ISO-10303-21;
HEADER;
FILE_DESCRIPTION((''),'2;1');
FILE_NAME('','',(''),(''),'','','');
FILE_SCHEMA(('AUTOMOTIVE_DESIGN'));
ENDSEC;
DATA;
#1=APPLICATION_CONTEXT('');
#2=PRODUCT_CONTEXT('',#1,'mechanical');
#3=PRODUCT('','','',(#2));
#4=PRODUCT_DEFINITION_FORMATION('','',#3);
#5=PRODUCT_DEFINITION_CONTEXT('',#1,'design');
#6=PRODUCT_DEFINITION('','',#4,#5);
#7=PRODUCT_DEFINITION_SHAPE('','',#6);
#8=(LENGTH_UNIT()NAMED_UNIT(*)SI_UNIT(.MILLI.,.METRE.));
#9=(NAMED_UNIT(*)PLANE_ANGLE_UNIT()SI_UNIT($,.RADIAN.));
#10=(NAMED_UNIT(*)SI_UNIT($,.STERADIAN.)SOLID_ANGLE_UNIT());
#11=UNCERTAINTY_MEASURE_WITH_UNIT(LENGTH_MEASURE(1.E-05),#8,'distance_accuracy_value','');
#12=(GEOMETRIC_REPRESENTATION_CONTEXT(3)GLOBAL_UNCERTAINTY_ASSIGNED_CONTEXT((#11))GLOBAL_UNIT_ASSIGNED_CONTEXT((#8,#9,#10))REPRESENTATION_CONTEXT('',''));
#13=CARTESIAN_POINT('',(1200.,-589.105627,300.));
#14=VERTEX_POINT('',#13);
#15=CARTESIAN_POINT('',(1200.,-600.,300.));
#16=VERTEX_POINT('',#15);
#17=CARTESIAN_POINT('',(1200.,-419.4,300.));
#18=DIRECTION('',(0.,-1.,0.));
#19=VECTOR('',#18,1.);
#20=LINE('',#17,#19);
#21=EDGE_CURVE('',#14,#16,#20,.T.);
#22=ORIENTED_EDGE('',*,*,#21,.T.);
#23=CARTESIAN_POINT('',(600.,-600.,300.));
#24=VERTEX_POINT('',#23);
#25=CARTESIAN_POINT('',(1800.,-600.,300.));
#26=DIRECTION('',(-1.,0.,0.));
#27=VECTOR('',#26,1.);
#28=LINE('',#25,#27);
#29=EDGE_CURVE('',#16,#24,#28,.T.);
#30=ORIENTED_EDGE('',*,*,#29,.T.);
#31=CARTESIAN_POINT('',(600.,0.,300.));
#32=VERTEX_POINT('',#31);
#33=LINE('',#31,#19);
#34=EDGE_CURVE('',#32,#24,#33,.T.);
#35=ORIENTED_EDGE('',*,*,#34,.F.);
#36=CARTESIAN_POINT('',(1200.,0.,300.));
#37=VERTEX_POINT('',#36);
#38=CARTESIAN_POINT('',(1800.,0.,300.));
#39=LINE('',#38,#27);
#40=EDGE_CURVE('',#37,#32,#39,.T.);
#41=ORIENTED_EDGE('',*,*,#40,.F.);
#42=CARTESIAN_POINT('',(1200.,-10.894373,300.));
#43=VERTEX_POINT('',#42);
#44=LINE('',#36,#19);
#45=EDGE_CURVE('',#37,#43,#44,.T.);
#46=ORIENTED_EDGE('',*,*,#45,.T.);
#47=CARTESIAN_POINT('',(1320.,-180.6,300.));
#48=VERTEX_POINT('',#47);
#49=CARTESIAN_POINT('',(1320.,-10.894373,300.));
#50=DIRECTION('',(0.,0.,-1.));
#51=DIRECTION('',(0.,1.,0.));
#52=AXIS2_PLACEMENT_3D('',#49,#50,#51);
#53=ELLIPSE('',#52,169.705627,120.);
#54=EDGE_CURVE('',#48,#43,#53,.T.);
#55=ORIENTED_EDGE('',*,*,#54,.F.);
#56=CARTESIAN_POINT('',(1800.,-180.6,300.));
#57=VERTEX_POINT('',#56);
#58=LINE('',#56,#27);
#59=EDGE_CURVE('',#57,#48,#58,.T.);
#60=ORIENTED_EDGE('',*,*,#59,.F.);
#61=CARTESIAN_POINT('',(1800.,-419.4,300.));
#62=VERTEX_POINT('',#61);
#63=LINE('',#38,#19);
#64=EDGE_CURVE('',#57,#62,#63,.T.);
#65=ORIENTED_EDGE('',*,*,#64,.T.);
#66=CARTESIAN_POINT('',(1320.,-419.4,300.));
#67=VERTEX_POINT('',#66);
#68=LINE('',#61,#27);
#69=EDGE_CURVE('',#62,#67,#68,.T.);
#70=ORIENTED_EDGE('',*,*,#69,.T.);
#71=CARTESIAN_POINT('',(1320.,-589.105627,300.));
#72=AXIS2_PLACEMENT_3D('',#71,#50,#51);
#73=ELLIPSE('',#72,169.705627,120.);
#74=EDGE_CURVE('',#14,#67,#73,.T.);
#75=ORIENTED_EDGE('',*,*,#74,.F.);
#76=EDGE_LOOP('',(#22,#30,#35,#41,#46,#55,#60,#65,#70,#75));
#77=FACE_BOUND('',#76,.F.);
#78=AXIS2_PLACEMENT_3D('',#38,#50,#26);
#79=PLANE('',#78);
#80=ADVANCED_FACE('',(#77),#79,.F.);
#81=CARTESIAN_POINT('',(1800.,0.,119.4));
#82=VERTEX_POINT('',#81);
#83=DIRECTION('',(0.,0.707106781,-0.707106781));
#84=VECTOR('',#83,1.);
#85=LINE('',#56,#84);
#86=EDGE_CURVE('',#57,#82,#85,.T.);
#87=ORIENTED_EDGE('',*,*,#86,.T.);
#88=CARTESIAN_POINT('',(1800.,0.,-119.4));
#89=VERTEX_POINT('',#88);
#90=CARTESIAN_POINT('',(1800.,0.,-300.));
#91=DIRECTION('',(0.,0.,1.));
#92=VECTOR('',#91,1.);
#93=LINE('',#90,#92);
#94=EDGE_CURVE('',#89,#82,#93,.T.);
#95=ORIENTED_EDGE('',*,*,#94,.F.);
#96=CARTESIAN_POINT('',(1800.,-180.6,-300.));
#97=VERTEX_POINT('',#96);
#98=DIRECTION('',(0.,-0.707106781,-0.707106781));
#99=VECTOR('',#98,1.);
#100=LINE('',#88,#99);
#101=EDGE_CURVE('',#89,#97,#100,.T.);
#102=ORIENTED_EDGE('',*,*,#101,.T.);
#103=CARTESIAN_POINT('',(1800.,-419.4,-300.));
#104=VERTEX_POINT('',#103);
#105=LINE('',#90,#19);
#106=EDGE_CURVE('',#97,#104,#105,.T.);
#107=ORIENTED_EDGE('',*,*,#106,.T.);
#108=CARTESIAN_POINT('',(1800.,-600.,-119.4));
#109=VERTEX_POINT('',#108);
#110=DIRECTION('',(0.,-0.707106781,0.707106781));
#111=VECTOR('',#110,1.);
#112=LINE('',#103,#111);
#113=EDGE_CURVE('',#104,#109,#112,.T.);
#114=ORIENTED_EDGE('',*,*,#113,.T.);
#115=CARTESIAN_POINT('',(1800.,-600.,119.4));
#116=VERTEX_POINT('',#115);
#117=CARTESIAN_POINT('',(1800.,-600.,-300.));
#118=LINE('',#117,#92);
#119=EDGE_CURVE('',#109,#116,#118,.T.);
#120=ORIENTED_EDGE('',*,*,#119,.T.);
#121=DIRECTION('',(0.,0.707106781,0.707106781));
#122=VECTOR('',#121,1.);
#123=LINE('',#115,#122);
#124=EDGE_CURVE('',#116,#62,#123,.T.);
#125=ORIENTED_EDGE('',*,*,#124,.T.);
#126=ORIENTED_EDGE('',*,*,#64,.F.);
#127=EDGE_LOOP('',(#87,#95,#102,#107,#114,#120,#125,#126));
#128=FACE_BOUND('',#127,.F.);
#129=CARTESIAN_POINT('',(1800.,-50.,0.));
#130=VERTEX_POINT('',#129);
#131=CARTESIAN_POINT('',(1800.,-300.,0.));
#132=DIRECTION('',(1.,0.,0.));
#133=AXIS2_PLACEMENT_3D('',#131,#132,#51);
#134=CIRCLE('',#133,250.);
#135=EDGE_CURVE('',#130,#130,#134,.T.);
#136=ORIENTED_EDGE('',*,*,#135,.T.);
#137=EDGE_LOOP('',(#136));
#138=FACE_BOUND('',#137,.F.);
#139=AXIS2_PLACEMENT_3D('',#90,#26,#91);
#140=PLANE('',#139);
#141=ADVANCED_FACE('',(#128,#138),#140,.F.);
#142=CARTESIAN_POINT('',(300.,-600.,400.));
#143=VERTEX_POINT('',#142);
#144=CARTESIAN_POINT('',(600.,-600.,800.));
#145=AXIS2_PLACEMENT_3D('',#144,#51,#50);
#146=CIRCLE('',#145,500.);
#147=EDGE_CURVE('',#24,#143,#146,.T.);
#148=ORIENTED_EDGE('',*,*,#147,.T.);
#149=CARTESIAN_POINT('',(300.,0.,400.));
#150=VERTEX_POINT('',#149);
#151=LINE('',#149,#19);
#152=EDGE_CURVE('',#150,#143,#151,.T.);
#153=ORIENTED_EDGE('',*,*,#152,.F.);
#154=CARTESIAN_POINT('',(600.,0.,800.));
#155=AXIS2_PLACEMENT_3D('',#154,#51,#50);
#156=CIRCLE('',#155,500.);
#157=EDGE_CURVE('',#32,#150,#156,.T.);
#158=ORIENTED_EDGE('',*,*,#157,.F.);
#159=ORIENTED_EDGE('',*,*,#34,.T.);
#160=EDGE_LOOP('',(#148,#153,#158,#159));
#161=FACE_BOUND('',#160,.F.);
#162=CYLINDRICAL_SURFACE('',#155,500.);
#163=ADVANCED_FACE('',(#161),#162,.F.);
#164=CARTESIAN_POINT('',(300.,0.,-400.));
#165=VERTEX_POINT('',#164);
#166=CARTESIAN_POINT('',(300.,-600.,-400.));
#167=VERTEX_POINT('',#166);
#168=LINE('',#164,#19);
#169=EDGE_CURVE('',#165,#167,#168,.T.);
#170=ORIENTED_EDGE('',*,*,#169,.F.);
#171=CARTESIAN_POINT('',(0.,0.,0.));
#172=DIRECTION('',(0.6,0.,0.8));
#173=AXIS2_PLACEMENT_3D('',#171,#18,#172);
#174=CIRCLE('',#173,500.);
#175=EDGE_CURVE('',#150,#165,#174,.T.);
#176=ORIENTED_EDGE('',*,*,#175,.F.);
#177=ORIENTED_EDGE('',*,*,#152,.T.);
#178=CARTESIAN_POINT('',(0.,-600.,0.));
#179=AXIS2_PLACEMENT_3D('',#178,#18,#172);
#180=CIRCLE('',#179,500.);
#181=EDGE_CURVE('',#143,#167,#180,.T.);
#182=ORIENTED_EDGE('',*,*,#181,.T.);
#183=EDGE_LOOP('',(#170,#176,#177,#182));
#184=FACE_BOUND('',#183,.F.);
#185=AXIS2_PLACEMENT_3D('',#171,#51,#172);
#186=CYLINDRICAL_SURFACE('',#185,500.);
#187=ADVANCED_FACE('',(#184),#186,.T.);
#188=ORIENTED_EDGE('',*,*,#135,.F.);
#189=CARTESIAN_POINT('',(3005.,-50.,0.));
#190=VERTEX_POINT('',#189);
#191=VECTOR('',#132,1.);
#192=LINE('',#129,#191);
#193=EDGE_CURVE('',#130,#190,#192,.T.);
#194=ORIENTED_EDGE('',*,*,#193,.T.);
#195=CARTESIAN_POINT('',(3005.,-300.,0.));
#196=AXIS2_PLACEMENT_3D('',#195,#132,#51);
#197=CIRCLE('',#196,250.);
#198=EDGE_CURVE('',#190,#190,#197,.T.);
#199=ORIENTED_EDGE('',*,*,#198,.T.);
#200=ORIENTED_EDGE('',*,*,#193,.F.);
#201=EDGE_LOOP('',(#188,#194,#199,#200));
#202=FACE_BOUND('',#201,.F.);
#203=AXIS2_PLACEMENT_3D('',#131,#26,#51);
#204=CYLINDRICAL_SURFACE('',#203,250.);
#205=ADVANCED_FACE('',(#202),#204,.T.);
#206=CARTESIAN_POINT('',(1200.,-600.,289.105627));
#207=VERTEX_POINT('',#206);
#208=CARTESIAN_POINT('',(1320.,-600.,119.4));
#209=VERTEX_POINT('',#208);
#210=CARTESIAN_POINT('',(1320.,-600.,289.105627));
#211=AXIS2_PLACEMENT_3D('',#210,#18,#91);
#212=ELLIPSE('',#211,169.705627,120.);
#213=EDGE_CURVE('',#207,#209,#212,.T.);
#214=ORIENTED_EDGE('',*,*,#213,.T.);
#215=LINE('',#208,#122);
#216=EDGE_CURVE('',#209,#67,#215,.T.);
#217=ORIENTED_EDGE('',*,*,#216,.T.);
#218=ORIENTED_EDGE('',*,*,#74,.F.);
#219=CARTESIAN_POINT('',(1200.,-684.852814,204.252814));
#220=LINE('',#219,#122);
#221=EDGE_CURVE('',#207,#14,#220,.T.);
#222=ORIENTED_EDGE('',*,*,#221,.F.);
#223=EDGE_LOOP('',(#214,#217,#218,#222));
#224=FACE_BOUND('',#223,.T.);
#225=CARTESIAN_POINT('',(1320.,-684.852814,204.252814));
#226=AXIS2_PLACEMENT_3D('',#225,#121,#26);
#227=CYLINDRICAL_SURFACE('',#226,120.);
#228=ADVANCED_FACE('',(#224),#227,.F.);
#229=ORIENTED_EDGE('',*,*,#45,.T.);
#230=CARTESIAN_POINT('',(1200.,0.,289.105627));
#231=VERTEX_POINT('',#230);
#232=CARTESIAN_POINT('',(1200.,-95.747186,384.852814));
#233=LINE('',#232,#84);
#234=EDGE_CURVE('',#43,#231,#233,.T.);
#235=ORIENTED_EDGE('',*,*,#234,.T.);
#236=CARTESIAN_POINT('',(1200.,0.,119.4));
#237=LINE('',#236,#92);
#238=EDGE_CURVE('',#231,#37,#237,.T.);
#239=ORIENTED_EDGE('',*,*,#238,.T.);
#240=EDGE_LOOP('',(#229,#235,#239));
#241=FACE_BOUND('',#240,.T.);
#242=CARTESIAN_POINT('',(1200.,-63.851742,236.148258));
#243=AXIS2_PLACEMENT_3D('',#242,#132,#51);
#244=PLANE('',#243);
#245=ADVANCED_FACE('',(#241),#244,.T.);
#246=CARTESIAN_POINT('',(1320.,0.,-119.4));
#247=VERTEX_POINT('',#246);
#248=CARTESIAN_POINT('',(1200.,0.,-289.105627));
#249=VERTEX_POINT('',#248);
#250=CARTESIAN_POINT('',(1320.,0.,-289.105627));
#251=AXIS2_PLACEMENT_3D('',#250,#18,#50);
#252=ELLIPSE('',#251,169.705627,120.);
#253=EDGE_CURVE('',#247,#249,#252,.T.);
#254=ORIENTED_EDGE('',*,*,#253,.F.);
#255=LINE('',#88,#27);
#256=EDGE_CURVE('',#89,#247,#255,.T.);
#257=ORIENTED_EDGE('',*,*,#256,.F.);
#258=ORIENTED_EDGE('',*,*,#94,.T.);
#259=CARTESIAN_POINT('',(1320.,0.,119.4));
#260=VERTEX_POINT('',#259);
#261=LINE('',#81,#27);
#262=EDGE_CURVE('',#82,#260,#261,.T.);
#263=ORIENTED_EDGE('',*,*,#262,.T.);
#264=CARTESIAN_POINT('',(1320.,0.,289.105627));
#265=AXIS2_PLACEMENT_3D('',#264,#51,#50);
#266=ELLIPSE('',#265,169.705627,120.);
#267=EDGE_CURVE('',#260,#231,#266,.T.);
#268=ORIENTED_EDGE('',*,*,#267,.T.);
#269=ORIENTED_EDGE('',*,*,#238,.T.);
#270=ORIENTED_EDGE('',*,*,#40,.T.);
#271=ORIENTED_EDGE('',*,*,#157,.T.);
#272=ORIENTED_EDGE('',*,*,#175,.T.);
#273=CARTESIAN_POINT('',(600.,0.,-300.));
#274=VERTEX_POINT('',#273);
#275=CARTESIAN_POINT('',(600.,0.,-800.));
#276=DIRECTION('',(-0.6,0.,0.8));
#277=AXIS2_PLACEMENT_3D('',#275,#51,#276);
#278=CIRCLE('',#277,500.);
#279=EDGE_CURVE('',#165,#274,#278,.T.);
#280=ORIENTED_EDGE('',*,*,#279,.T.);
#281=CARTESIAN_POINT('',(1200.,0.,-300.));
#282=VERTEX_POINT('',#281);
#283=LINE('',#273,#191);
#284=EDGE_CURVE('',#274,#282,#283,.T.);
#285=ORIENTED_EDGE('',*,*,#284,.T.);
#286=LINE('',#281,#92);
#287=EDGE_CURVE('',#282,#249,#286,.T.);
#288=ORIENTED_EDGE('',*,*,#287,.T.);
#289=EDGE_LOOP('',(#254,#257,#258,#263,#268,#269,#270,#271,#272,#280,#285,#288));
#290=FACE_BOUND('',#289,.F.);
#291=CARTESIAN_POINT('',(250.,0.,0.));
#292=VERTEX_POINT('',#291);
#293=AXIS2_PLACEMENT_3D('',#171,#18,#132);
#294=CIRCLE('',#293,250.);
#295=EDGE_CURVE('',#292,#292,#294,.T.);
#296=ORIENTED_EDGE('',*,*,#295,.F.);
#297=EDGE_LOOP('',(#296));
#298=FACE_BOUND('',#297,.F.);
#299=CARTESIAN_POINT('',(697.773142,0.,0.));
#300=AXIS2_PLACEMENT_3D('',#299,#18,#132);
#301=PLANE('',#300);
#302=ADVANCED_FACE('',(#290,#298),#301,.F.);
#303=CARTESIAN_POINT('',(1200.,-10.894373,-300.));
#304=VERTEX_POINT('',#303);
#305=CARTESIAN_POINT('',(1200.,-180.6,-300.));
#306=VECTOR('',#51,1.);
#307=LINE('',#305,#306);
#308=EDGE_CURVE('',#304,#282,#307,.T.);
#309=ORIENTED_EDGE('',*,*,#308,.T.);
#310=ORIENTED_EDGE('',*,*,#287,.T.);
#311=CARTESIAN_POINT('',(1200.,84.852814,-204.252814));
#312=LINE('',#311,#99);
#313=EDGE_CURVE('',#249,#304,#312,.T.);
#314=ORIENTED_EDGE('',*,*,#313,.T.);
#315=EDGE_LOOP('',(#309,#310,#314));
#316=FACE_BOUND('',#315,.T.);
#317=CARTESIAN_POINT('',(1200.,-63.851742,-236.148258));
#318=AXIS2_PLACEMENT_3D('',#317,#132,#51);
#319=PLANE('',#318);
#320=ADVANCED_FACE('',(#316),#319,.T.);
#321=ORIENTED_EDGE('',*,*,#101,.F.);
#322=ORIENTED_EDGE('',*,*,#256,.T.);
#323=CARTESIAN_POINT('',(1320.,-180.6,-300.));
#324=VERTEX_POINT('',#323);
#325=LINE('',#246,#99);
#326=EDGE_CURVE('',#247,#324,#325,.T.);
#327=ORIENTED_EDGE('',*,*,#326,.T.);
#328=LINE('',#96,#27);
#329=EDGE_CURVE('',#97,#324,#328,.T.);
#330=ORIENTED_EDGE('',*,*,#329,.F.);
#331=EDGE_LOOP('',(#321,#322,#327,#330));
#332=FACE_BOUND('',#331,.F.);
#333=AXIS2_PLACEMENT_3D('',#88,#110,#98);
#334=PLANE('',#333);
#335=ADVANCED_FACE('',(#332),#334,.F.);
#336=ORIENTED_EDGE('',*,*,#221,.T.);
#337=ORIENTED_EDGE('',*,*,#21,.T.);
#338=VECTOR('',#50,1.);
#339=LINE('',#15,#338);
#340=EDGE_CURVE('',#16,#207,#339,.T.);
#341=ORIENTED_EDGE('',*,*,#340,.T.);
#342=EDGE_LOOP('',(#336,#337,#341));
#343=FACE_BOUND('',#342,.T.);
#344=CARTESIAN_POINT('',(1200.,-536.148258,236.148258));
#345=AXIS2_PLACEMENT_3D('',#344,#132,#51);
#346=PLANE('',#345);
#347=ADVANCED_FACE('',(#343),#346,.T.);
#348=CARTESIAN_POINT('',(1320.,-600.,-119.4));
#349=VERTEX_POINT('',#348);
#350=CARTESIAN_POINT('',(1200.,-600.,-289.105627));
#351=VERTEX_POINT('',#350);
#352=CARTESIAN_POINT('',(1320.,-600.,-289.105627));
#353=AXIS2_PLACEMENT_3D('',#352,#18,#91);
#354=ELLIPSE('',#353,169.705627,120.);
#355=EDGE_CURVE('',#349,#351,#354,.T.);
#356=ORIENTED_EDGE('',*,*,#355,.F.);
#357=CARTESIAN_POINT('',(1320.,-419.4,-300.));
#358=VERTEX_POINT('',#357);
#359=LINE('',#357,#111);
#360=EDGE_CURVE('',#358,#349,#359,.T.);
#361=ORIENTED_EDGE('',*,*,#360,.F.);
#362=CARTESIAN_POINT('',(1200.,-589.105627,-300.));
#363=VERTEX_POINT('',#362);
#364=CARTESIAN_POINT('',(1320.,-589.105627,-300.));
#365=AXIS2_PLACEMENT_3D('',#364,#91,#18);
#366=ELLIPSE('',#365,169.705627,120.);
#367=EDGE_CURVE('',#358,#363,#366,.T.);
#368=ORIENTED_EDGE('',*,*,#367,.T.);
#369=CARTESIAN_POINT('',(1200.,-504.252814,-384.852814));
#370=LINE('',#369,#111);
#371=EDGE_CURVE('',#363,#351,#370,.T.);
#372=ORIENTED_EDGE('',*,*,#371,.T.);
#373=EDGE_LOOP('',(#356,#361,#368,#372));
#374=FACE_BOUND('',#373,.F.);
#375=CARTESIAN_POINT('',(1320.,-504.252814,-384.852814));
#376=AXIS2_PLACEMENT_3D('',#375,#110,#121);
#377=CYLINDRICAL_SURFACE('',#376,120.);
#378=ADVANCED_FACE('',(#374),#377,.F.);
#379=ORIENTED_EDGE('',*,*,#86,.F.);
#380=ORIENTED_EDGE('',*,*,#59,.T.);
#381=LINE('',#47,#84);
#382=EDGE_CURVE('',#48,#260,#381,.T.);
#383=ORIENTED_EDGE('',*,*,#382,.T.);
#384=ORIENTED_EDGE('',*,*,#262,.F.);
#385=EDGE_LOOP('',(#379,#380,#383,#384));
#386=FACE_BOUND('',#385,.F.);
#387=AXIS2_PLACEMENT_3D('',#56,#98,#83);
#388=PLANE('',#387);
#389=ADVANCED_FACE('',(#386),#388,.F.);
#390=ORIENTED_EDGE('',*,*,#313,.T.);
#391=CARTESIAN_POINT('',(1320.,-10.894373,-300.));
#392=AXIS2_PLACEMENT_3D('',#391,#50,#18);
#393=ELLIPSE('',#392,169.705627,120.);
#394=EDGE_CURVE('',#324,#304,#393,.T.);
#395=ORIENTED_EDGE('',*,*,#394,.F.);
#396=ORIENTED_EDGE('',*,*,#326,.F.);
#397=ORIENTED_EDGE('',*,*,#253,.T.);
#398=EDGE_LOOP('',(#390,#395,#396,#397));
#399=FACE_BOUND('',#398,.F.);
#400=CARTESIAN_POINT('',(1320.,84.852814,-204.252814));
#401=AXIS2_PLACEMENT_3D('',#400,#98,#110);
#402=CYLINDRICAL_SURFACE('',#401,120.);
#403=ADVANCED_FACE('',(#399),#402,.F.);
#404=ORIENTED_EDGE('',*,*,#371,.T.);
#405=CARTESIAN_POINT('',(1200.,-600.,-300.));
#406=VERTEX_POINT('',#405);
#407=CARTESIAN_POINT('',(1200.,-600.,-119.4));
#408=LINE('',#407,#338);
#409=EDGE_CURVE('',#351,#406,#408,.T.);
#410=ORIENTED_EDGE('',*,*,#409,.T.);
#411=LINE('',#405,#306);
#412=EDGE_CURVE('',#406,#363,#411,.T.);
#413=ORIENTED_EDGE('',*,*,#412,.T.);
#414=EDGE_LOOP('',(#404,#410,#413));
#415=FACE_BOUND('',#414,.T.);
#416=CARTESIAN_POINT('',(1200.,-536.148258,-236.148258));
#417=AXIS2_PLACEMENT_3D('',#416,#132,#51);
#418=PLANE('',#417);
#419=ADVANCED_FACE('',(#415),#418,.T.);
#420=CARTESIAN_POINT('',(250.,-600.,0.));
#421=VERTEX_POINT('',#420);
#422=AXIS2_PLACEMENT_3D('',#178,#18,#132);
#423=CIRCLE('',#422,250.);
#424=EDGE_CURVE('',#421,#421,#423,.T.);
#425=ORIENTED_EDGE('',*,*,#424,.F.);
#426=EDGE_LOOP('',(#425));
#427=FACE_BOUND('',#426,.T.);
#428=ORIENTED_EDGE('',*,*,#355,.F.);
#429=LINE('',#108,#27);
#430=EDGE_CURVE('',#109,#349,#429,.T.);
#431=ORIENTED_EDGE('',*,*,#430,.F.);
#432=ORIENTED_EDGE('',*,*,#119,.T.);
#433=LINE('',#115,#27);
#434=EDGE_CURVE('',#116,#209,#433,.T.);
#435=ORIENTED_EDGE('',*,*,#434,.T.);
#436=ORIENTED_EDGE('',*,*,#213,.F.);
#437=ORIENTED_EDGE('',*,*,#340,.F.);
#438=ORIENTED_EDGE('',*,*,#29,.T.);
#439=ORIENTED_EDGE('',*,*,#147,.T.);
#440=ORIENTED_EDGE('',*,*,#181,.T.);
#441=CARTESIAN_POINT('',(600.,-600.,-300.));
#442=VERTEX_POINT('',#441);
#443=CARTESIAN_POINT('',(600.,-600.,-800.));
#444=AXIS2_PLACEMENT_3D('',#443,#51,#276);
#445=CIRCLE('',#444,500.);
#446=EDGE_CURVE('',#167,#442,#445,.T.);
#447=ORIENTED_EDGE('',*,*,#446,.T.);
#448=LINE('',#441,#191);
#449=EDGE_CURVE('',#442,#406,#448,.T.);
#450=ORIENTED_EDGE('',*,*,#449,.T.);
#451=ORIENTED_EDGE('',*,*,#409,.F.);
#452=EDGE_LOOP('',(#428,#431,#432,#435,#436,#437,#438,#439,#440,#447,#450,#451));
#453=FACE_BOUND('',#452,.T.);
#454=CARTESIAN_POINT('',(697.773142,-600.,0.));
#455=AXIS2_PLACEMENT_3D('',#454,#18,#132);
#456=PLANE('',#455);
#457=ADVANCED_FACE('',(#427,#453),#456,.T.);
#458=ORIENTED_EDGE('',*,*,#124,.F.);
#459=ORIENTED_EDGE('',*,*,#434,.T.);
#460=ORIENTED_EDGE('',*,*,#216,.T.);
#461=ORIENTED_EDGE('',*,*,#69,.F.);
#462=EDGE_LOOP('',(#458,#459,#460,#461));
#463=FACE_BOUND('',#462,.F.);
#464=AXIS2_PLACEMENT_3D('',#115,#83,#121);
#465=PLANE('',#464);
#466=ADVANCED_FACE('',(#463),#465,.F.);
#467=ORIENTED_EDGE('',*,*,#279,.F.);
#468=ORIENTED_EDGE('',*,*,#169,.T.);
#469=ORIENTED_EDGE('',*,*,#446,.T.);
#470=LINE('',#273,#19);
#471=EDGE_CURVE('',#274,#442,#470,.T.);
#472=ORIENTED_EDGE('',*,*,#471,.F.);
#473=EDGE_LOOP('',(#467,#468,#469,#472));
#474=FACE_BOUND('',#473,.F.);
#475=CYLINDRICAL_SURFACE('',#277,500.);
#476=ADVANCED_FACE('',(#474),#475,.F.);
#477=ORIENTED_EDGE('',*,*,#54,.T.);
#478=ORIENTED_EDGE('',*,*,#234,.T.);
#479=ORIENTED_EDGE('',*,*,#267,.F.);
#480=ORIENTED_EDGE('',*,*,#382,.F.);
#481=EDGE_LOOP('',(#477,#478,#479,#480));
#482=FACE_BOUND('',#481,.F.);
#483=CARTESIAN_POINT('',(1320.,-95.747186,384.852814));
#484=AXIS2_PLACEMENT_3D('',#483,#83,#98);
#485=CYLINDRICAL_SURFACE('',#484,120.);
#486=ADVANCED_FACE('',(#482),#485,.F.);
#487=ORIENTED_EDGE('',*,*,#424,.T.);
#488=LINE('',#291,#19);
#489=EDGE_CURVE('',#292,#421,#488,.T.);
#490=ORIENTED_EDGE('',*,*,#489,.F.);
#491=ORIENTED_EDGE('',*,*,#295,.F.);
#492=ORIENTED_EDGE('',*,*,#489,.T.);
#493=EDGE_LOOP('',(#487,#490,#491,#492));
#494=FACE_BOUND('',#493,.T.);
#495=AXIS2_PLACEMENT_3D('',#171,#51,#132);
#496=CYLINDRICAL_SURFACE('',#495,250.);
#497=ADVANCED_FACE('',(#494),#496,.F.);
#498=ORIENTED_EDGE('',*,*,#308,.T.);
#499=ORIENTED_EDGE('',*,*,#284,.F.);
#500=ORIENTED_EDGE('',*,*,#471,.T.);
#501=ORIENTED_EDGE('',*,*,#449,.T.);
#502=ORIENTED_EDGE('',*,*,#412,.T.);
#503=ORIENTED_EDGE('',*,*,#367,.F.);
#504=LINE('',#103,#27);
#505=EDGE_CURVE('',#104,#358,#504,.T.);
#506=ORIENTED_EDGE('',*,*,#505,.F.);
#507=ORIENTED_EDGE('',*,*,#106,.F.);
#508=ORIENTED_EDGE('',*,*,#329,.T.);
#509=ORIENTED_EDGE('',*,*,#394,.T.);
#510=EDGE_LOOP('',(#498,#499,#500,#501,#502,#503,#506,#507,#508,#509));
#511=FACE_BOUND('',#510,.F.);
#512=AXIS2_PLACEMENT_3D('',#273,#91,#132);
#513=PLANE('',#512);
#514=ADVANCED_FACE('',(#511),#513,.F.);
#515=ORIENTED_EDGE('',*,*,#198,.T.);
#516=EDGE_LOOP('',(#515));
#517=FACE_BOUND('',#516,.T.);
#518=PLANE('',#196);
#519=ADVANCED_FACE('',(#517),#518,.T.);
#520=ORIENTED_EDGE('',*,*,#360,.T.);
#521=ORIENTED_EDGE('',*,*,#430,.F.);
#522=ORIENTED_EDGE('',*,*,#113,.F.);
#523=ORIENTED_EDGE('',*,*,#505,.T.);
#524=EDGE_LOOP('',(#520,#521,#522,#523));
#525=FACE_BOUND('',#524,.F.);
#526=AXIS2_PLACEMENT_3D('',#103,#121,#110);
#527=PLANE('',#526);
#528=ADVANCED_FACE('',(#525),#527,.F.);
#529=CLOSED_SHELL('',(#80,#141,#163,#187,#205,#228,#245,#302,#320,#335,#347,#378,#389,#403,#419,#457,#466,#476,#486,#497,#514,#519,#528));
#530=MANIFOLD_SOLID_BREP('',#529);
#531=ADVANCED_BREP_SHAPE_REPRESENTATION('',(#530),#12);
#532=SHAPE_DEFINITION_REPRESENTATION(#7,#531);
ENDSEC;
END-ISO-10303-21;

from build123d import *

# Parameters (mm, degrees)
F0_R     = 250
F1_DEPTH = 600
F3_DEPTH = 600
F4_R     = 250
F5_DEPTH = 1205
F6_R     = 120


with BuildPart() as f1:
    # F0 (on Front) → F1 (new body)
    with BuildSketch(Plane.XZ):
        with BuildLine():
            ThreePointArc((600, 300), (441.886117, 325.658351), (300, 400))
            ThreePointArc((300, 400), (-500, 0), (300, -400))
            ThreePointArc((300, -400), (441.886117, -325.658351), (600, -300))
            Line((600, -300), (1800, -300))
            Line((1800, -300), (1800, 300))
            Line((1800, 300), (600, 300))
        make_face()
        Circle(F0_R, mode=Mode.SUBTRACT)
    extrude(amount=F1_DEPTH)

    # F2 (on face) → F3 (cut)
    with BuildSketch(Plane.YZ.offset(1800)):
        Polygon((-600, 119.4), (-419.4, 300), (-600, 300), align=None)
        Polygon((0, 300), (-180.6, 300), (0, 119.4), align=None)
        Polygon((0, -300), (0, -119.4), (-180.6, -300), align=None)
        Polygon((-419.4, -300), (-600, -119.4), (-600, -300), align=None)
    extrude(amount=-F3_DEPTH, mode=Mode.SUBTRACT)

    # F4 (on face) → F5 (join)
    with BuildSketch(Plane.YZ.offset(1800)):
        with Locations((-300, 0)):
            Circle(F4_R)
    extrude(amount=F5_DEPTH)

    # F6
    f6_edges = [f1.edges().sort_by_distance(p)[0] for p in [
        (1200, -509.7, 209.7),
        (1200, -509.7, -209.7),
        (1200, -90.3, -209.7),
        (1200, -90.3, 209.7),
    ]]
    fillet(f6_edges, radius=F6_R)


solid = f1.part
